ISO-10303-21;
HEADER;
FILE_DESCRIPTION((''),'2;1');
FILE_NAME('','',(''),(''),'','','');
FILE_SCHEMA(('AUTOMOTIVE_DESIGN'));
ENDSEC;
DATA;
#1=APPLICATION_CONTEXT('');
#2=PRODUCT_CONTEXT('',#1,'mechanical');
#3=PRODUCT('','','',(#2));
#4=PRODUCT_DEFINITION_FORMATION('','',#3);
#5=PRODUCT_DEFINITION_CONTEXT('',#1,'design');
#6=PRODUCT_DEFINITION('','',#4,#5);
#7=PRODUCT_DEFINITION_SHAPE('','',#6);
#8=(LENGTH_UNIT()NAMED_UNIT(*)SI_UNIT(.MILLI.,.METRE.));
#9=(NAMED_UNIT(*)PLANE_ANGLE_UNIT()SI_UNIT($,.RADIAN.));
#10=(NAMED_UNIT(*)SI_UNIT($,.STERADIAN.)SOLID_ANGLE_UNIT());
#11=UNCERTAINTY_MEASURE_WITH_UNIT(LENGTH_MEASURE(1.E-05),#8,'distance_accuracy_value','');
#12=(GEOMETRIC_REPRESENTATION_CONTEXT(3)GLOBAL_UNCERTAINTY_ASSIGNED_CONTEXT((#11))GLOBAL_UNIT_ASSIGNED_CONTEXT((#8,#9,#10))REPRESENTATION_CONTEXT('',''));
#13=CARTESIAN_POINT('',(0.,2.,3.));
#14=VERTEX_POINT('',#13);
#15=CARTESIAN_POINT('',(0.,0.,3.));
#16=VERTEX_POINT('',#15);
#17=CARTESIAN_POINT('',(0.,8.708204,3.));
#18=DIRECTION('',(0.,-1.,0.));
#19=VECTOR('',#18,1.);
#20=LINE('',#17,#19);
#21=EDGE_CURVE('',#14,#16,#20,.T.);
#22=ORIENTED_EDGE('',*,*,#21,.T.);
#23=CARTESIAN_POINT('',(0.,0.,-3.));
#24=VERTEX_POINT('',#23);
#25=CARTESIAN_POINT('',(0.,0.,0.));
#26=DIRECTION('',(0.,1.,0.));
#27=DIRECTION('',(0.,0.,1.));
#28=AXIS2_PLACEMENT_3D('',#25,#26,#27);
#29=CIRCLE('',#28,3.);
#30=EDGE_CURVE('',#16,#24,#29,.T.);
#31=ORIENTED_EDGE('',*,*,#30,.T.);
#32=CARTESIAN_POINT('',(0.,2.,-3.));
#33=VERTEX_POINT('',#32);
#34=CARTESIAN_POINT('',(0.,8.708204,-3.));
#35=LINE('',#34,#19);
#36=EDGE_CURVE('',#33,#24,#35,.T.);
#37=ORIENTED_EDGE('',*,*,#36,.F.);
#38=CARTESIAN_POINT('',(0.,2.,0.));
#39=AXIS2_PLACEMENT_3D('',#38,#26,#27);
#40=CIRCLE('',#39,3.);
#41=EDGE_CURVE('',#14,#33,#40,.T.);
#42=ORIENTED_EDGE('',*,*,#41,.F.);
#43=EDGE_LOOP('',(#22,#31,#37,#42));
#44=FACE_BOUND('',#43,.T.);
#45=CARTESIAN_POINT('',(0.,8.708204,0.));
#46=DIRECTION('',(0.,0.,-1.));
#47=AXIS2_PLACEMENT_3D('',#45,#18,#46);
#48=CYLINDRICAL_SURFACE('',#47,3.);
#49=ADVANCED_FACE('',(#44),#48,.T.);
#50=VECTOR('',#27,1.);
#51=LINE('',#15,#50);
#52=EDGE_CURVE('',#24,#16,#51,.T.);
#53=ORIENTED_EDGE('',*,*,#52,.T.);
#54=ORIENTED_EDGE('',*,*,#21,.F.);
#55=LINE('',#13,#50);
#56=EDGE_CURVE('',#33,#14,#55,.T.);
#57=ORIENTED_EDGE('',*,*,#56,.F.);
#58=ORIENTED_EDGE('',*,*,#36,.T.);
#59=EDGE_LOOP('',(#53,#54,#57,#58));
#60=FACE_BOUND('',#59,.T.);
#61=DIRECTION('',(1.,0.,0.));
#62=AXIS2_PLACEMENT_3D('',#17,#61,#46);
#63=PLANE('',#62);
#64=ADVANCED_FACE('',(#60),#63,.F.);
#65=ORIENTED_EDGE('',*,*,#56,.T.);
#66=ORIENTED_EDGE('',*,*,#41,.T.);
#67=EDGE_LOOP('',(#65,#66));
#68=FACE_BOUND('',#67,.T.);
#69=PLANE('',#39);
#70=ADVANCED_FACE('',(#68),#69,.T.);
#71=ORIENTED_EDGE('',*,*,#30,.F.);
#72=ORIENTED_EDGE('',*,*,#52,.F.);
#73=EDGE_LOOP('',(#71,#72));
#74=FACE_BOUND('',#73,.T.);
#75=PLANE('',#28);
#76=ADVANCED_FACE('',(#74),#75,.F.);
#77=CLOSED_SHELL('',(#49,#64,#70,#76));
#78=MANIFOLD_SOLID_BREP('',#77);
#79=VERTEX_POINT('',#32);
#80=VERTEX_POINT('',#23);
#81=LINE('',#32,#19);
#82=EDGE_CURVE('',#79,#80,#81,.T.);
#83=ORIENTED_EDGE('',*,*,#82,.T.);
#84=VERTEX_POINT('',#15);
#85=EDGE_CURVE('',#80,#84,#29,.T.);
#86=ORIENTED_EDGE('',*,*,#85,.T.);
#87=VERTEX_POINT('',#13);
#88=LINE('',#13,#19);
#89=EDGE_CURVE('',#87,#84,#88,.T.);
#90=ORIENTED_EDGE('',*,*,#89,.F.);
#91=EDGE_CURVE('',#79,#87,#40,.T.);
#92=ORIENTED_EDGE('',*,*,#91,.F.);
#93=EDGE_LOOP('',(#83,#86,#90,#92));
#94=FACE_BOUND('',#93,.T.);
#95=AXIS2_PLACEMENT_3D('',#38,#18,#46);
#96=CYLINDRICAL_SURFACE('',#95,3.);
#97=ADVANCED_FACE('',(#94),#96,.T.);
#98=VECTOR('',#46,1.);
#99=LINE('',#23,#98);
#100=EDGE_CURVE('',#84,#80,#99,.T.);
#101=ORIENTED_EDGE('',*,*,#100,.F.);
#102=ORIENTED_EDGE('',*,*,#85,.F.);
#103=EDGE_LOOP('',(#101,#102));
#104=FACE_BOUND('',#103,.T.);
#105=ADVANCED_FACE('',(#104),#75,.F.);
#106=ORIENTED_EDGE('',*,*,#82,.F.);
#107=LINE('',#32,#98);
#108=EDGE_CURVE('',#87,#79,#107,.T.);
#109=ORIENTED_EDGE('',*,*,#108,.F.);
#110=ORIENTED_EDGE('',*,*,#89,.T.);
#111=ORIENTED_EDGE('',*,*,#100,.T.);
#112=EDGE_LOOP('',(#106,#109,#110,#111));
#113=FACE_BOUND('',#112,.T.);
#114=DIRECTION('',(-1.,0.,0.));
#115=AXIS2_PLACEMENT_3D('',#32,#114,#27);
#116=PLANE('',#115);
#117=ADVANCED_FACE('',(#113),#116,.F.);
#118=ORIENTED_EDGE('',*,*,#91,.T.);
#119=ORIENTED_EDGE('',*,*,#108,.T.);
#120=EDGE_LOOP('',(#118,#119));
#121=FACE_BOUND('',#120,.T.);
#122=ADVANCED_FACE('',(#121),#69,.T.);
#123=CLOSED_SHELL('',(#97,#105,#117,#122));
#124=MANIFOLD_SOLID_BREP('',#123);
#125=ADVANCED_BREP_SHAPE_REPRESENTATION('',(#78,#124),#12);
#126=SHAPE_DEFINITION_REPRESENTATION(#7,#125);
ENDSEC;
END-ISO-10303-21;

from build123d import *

# Parameters (mm, degrees)
BOSS_EXTRU_1_DEPTH = 2
BOSS_EXTRU_2_DEPTH = 2


with BuildPart() as part:
    # Esquisse1 → Boss.-Extru.1 (new body)
    with BuildSketch(Plane(origin=(0, 0, 0), x_dir=(1, 0, 0), z_dir=(0, 1, 0))):
        with BuildLine():
            Line((0, 3), (0, -3))
            ThreePointArc((0, -3), (-3, 0), (0, 3))
        make_face()
    extrude(amount=BOSS_EXTRU_1_DEPTH)


with BuildPart() as body_2:
    # Esquisse2 → Boss.-Extru.2 (new body)
    with BuildSketch(Plane(origin=(0, 0, 0), x_dir=(1, 0, 0), z_dir=(0, 1, 0))):
        with BuildLine():
            Line((0, -3), (0, 3))
            ThreePointArc((0, 3), (3, 0), (0, -3))
        make_face()
    extrude(amount=BOSS_EXTRU_2_DEPTH)


solid = Compound([part.part, body_2.part])
